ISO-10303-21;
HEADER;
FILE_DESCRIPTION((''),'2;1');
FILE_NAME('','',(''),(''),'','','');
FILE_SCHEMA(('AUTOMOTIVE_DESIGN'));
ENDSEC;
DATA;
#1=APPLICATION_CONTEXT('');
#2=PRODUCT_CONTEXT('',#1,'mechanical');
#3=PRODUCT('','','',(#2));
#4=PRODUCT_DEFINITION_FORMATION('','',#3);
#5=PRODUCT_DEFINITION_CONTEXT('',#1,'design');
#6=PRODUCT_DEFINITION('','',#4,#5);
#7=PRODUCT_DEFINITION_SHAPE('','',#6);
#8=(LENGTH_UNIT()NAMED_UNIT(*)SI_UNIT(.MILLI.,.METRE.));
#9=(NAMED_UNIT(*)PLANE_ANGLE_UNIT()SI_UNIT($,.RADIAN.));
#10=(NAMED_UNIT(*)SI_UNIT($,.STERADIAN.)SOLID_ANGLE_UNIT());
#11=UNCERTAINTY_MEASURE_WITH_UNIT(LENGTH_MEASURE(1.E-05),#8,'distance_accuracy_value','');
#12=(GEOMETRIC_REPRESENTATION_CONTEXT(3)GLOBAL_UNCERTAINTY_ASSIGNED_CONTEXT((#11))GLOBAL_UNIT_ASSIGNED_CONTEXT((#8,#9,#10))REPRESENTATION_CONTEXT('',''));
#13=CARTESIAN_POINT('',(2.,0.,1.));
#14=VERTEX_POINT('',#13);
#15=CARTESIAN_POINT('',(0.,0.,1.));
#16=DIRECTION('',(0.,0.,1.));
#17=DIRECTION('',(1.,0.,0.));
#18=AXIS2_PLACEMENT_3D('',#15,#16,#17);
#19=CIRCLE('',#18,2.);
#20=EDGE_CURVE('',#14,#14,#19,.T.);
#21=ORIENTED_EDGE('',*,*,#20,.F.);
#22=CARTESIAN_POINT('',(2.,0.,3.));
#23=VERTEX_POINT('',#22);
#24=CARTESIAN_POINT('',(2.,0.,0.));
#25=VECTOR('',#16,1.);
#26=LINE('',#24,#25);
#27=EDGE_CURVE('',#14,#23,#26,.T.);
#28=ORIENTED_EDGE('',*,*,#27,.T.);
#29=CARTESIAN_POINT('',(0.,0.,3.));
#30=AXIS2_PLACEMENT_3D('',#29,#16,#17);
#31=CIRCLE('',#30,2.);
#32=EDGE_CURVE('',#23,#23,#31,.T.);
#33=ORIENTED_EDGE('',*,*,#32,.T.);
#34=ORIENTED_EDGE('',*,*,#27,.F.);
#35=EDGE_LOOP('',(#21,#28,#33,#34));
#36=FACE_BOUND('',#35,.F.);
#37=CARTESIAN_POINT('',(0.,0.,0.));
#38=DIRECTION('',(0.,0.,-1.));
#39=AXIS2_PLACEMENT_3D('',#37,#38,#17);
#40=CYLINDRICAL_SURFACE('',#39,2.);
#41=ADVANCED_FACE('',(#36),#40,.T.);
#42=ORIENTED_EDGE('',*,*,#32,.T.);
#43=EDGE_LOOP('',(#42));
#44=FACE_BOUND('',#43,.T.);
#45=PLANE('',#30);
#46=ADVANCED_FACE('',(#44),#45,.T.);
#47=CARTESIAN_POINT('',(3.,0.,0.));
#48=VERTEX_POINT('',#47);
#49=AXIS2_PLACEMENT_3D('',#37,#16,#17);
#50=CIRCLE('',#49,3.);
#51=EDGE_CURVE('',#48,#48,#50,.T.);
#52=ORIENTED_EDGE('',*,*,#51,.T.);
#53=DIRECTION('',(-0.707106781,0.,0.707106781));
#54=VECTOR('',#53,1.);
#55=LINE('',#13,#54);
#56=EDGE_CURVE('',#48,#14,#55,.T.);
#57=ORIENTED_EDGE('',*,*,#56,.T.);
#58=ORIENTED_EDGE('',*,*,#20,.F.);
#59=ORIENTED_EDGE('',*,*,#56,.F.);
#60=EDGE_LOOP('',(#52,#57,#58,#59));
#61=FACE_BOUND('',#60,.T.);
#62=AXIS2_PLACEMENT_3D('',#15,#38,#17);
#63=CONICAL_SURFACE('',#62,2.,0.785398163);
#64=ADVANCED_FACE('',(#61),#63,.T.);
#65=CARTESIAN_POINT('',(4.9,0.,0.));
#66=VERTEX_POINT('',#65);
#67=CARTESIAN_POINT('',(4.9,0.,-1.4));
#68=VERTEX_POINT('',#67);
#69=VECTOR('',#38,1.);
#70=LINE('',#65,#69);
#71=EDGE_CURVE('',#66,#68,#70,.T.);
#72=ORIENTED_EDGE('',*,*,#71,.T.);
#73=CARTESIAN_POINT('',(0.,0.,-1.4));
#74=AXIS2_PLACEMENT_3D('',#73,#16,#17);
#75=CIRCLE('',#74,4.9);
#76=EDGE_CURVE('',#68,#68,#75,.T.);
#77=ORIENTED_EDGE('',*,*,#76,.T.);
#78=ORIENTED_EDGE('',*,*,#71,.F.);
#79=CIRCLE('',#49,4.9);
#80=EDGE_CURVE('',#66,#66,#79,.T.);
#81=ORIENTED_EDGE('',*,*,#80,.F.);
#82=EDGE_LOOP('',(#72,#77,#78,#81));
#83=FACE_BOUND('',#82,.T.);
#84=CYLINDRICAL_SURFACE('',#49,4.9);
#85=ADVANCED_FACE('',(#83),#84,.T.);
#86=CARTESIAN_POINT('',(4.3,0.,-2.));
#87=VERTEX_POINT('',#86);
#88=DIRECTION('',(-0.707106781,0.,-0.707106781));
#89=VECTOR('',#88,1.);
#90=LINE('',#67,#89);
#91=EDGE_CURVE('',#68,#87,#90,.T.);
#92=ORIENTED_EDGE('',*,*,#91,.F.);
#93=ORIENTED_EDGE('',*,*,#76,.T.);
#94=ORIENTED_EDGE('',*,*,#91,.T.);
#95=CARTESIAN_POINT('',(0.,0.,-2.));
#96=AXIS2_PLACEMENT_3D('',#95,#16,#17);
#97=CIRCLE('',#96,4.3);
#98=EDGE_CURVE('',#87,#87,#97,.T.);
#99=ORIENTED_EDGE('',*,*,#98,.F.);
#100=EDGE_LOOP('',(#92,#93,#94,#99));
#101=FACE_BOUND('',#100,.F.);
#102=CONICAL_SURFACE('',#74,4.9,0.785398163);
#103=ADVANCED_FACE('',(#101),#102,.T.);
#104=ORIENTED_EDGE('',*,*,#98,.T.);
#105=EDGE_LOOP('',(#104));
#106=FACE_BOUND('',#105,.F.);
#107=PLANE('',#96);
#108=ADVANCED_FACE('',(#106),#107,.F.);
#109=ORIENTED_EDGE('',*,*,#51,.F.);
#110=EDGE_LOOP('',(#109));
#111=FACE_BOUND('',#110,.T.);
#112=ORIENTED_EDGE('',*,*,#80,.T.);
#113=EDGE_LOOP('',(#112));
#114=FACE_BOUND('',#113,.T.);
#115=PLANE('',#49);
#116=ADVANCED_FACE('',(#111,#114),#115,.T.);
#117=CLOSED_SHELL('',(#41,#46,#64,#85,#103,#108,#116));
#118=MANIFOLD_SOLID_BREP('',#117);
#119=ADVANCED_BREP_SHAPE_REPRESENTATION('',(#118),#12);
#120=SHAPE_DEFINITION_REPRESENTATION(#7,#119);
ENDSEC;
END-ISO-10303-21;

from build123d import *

# Parameters (mm, degrees)
SKETCH_R        = 4.9
PAD_DEPTH       = 2
SKETCH001_R     = 2
PAD001_DEPTH    = 3
CHAMFER_SIZE    = 1
CHAMFER001_SIZE = 0.6


with BuildPart() as part:
    # Sketch → Pad (new body)
    with BuildSketch(Plane.XY):
        Circle(SKETCH_R)
    extrude(amount=-PAD_DEPTH)

    # Sketch001 → Pad001 (join)
    with BuildSketch(Plane.XY):
        Circle(SKETCH001_R)
    extrude(amount=PAD001_DEPTH)

    # Chamfer
    chamfer_edges = [part.edges().sort_by_distance(p)[0] for p in [
        (-2, 0, 0),
    ]]
    chamfer(chamfer_edges, length=CHAMFER_SIZE)

    # Chamfer001
    chamfer001_edges = [part.edges().sort_by_distance(p)[0] for p in [
        (-4.9, 0, -2),
    ]]
    chamfer(chamfer001_edges, length=CHAMFER001_SIZE)


solid = part.part
